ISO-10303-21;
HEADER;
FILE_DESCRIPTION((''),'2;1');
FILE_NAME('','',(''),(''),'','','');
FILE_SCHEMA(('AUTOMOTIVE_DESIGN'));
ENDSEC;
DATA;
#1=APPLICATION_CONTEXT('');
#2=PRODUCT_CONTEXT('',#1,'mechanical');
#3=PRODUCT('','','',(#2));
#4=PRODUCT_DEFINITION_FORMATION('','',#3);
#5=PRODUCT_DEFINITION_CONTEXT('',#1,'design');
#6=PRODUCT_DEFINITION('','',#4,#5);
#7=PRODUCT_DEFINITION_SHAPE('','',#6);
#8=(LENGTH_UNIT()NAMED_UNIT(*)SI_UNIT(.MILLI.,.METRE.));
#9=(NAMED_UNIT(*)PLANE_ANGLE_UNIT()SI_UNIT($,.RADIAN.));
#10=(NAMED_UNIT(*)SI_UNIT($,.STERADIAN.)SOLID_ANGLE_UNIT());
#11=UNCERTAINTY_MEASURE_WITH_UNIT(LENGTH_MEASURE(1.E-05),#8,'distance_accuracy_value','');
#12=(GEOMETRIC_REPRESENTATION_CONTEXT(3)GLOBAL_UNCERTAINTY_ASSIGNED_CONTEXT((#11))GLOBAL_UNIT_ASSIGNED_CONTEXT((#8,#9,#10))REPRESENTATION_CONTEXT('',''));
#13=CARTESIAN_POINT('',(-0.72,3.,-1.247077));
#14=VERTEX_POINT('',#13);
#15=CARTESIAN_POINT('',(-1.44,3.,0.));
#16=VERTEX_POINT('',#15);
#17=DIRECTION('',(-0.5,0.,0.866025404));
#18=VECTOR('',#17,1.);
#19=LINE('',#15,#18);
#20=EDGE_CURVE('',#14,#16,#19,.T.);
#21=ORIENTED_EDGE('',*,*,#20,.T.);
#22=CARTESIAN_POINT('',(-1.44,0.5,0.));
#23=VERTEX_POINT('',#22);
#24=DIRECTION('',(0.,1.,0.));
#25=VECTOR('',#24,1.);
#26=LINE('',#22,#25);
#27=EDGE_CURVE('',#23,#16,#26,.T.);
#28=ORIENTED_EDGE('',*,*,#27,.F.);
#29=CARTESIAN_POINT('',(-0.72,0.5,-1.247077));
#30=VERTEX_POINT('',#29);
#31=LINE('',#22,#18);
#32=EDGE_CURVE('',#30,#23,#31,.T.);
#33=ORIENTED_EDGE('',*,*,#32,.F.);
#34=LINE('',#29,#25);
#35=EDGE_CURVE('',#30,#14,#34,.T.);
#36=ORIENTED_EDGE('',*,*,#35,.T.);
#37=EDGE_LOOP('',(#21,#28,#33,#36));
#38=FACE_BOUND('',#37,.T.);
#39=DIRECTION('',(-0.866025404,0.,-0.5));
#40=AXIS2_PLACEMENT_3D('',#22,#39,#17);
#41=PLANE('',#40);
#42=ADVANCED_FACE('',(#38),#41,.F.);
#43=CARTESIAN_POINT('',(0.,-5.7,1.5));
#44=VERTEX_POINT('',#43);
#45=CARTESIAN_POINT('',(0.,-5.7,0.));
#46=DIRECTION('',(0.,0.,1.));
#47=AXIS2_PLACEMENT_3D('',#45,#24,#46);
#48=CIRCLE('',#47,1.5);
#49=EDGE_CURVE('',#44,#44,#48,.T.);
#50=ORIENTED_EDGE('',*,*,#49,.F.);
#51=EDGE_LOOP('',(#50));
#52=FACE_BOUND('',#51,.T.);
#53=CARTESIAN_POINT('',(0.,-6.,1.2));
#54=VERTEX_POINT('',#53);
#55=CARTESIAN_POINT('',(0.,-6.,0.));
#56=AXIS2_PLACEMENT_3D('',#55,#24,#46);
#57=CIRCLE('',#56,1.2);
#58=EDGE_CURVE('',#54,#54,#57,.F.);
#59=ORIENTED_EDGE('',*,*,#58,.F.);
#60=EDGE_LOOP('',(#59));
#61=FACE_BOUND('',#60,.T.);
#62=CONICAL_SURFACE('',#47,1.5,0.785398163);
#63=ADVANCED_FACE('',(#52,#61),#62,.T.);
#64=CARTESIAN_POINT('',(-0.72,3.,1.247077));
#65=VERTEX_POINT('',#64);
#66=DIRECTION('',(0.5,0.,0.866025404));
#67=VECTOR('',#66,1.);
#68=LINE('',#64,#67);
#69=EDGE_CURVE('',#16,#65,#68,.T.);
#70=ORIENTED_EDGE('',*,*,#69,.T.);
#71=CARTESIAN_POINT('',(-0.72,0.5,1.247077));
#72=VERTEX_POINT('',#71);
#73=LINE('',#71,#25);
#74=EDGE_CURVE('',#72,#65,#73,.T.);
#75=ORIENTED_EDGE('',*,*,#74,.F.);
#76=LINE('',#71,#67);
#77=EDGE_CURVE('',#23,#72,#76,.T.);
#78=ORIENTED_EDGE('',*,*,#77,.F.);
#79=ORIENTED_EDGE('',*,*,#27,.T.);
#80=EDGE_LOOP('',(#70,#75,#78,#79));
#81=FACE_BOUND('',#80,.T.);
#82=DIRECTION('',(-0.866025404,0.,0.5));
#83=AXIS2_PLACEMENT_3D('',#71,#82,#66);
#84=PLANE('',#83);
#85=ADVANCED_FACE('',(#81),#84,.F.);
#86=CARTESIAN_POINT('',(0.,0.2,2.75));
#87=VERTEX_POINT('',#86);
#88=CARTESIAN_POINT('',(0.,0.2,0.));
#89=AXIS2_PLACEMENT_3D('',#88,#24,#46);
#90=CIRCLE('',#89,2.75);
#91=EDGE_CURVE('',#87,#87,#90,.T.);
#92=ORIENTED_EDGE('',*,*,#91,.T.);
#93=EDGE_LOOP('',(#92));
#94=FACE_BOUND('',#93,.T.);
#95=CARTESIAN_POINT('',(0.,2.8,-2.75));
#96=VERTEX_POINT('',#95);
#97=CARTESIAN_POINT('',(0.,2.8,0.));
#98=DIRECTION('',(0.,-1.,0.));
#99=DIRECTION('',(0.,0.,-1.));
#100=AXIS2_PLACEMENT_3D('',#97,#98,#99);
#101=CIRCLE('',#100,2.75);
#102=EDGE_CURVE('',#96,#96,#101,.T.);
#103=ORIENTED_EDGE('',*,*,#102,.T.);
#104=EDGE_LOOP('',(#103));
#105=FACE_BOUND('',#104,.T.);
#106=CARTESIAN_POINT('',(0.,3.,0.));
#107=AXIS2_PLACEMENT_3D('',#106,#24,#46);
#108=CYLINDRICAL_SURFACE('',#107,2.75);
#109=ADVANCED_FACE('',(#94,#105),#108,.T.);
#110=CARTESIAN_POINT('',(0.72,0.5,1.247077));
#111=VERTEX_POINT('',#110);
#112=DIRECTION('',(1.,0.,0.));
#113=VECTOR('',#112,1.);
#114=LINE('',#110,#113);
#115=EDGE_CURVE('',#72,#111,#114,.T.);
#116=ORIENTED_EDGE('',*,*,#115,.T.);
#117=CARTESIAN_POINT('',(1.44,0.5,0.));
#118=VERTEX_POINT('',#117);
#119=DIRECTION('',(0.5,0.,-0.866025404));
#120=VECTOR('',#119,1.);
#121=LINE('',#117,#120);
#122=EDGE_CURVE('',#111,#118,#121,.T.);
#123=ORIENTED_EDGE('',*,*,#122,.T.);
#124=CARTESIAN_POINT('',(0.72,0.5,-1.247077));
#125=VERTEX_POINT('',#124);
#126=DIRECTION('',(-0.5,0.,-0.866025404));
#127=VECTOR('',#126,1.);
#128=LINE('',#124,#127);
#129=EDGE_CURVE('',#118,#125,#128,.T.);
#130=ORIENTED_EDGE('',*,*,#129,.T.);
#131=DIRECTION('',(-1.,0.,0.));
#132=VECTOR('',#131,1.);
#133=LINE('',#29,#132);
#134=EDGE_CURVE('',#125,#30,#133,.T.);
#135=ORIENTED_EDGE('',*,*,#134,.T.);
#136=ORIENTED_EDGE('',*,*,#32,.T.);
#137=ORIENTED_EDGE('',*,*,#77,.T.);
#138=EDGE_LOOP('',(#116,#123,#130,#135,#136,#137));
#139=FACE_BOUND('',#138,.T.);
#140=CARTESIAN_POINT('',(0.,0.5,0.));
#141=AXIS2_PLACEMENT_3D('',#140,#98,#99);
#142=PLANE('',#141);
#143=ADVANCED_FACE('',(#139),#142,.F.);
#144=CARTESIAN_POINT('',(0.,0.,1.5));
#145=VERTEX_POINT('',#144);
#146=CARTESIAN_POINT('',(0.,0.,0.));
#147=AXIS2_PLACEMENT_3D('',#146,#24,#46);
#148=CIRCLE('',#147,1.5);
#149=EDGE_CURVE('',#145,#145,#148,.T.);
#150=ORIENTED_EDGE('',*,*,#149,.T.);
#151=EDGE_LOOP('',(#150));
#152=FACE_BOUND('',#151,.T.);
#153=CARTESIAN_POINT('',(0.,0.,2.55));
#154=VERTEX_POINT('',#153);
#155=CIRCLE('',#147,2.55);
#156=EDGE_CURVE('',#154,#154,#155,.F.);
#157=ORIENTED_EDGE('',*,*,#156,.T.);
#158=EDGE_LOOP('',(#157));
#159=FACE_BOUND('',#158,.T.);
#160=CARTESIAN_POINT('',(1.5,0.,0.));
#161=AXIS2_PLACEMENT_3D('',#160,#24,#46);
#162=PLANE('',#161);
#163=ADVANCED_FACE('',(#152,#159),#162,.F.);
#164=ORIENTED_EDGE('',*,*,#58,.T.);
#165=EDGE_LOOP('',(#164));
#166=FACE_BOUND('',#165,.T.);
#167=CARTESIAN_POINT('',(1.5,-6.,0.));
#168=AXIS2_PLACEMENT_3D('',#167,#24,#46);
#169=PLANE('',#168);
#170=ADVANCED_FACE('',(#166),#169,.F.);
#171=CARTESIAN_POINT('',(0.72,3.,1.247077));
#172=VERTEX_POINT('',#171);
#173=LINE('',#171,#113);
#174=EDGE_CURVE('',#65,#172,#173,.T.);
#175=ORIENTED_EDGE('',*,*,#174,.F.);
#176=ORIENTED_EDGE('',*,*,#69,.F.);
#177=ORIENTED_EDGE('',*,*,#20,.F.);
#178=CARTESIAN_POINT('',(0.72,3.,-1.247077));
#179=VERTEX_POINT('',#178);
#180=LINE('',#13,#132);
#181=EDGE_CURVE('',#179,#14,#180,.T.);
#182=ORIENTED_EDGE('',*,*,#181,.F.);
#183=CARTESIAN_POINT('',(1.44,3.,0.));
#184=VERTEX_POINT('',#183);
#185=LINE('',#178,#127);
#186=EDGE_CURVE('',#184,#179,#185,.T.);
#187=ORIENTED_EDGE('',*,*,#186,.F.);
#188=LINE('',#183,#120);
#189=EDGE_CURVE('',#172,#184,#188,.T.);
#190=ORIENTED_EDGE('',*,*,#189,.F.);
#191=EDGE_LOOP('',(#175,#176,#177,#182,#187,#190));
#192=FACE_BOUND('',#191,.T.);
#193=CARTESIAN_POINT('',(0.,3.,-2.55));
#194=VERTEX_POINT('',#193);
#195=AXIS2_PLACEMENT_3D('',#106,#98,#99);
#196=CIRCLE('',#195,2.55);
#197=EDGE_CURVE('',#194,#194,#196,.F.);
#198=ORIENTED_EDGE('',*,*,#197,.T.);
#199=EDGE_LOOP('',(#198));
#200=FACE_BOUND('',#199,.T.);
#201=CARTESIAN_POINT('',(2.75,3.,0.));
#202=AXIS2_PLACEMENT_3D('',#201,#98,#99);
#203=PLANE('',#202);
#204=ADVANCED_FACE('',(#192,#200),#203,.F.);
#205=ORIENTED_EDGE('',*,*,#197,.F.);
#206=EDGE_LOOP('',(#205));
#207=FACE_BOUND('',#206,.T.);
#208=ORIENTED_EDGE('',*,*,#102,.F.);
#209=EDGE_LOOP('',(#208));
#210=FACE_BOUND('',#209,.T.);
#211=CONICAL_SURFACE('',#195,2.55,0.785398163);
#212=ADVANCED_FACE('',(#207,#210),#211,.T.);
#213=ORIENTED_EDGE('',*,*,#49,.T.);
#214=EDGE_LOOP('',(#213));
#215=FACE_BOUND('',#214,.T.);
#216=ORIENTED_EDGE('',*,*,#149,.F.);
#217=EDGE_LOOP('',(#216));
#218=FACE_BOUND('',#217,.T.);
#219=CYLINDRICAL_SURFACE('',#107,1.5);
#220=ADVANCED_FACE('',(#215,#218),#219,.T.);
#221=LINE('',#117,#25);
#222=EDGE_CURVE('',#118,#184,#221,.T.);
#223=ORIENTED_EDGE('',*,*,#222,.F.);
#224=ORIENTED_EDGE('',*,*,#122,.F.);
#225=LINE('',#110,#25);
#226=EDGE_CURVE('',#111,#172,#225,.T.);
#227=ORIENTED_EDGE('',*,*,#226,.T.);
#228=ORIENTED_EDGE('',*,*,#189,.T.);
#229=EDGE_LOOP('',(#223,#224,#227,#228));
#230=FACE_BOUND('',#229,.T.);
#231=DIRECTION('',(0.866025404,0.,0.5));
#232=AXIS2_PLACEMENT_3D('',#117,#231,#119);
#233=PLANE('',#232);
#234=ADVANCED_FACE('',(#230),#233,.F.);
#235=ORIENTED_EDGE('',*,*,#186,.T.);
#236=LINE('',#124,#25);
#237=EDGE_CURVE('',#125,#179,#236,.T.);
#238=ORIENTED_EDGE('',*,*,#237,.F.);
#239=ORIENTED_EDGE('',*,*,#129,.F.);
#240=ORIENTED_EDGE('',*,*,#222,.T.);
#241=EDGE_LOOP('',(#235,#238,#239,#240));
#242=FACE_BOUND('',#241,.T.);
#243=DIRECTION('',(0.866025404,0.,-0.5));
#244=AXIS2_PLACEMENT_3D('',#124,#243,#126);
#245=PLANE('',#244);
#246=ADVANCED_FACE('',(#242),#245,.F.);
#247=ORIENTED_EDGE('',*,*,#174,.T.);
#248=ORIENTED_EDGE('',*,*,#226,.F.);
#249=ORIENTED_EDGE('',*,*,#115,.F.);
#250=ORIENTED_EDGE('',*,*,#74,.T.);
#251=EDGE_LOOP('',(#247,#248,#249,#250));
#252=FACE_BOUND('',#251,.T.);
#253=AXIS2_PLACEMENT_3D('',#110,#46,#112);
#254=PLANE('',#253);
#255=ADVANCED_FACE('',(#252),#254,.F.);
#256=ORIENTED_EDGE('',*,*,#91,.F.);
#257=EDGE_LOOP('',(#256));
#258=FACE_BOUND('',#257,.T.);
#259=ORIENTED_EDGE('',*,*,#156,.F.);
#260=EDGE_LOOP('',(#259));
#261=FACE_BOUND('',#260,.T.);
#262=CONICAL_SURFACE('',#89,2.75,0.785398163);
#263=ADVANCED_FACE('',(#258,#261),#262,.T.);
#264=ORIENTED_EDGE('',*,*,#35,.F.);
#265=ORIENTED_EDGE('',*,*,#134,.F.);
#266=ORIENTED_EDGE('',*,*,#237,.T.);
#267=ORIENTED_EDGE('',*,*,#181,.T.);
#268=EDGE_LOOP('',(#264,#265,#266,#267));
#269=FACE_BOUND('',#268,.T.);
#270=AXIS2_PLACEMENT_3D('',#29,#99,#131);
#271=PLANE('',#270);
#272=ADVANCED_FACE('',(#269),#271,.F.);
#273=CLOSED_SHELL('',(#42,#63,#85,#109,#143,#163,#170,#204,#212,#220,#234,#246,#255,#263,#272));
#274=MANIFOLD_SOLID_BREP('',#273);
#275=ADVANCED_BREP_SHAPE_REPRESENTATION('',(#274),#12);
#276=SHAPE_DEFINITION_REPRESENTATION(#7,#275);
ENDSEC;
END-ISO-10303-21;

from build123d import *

# Parameters (mm, degrees)
CHAMFER_1_SIZE      = 0.2
CHAMFER_2_SIZE      = 0.3
CUT_EXTRUDE_1_DEPTH = 2.5


with BuildPart() as part:
    # 草图1 → 旋转1 (revolve)
    with BuildSketch(Plane.XY, mode=Mode.PRIVATE) as revolve_1_sk:
        Polygon((1.5, 0), (2.75, 0), (2.75, 3), (0, 3), (0, 0), (0, -6), (1.5, -6), align=None)
    revolve(revolve_1_sk.sketch.rotate(Axis((0, 3, 0), (0, -1, 0)), 90), axis=Axis((0, 3, 0), (0, -1, 0)))

    # 倒角1
    chamfer_1_edges = [part.edges().sort_by_distance(p)[0] for p in [
        (0, 3, -2.75),
        (0, 0, -2.75),
    ]]
    chamfer(chamfer_1_edges, length=CHAMFER_1_SIZE)

    # 倒角2
    chamfer_2_edges = [part.edges().sort_by_distance(p)[0] for p in [
        (0, -6, -1.5),
    ]]
    chamfer(chamfer_2_edges, length=CHAMFER_2_SIZE)

    # 草图2 → 切除-拉伸1 (cut)
    with BuildSketch(Plane(origin=(0, 3, 0), x_dir=(1, 0, 0), z_dir=(0, 1, 0))):
        Polygon((-0.72, 1.247076581), (0.72, 1.247076581), (1.44, 0), (0.72, -1.247076581), (-0.72, -1.247076581), (-1.44, 0), align=None)
    extrude(amount=-CUT_EXTRUDE_1_DEPTH, mode=Mode.SUBTRACT)


solid = part.part
